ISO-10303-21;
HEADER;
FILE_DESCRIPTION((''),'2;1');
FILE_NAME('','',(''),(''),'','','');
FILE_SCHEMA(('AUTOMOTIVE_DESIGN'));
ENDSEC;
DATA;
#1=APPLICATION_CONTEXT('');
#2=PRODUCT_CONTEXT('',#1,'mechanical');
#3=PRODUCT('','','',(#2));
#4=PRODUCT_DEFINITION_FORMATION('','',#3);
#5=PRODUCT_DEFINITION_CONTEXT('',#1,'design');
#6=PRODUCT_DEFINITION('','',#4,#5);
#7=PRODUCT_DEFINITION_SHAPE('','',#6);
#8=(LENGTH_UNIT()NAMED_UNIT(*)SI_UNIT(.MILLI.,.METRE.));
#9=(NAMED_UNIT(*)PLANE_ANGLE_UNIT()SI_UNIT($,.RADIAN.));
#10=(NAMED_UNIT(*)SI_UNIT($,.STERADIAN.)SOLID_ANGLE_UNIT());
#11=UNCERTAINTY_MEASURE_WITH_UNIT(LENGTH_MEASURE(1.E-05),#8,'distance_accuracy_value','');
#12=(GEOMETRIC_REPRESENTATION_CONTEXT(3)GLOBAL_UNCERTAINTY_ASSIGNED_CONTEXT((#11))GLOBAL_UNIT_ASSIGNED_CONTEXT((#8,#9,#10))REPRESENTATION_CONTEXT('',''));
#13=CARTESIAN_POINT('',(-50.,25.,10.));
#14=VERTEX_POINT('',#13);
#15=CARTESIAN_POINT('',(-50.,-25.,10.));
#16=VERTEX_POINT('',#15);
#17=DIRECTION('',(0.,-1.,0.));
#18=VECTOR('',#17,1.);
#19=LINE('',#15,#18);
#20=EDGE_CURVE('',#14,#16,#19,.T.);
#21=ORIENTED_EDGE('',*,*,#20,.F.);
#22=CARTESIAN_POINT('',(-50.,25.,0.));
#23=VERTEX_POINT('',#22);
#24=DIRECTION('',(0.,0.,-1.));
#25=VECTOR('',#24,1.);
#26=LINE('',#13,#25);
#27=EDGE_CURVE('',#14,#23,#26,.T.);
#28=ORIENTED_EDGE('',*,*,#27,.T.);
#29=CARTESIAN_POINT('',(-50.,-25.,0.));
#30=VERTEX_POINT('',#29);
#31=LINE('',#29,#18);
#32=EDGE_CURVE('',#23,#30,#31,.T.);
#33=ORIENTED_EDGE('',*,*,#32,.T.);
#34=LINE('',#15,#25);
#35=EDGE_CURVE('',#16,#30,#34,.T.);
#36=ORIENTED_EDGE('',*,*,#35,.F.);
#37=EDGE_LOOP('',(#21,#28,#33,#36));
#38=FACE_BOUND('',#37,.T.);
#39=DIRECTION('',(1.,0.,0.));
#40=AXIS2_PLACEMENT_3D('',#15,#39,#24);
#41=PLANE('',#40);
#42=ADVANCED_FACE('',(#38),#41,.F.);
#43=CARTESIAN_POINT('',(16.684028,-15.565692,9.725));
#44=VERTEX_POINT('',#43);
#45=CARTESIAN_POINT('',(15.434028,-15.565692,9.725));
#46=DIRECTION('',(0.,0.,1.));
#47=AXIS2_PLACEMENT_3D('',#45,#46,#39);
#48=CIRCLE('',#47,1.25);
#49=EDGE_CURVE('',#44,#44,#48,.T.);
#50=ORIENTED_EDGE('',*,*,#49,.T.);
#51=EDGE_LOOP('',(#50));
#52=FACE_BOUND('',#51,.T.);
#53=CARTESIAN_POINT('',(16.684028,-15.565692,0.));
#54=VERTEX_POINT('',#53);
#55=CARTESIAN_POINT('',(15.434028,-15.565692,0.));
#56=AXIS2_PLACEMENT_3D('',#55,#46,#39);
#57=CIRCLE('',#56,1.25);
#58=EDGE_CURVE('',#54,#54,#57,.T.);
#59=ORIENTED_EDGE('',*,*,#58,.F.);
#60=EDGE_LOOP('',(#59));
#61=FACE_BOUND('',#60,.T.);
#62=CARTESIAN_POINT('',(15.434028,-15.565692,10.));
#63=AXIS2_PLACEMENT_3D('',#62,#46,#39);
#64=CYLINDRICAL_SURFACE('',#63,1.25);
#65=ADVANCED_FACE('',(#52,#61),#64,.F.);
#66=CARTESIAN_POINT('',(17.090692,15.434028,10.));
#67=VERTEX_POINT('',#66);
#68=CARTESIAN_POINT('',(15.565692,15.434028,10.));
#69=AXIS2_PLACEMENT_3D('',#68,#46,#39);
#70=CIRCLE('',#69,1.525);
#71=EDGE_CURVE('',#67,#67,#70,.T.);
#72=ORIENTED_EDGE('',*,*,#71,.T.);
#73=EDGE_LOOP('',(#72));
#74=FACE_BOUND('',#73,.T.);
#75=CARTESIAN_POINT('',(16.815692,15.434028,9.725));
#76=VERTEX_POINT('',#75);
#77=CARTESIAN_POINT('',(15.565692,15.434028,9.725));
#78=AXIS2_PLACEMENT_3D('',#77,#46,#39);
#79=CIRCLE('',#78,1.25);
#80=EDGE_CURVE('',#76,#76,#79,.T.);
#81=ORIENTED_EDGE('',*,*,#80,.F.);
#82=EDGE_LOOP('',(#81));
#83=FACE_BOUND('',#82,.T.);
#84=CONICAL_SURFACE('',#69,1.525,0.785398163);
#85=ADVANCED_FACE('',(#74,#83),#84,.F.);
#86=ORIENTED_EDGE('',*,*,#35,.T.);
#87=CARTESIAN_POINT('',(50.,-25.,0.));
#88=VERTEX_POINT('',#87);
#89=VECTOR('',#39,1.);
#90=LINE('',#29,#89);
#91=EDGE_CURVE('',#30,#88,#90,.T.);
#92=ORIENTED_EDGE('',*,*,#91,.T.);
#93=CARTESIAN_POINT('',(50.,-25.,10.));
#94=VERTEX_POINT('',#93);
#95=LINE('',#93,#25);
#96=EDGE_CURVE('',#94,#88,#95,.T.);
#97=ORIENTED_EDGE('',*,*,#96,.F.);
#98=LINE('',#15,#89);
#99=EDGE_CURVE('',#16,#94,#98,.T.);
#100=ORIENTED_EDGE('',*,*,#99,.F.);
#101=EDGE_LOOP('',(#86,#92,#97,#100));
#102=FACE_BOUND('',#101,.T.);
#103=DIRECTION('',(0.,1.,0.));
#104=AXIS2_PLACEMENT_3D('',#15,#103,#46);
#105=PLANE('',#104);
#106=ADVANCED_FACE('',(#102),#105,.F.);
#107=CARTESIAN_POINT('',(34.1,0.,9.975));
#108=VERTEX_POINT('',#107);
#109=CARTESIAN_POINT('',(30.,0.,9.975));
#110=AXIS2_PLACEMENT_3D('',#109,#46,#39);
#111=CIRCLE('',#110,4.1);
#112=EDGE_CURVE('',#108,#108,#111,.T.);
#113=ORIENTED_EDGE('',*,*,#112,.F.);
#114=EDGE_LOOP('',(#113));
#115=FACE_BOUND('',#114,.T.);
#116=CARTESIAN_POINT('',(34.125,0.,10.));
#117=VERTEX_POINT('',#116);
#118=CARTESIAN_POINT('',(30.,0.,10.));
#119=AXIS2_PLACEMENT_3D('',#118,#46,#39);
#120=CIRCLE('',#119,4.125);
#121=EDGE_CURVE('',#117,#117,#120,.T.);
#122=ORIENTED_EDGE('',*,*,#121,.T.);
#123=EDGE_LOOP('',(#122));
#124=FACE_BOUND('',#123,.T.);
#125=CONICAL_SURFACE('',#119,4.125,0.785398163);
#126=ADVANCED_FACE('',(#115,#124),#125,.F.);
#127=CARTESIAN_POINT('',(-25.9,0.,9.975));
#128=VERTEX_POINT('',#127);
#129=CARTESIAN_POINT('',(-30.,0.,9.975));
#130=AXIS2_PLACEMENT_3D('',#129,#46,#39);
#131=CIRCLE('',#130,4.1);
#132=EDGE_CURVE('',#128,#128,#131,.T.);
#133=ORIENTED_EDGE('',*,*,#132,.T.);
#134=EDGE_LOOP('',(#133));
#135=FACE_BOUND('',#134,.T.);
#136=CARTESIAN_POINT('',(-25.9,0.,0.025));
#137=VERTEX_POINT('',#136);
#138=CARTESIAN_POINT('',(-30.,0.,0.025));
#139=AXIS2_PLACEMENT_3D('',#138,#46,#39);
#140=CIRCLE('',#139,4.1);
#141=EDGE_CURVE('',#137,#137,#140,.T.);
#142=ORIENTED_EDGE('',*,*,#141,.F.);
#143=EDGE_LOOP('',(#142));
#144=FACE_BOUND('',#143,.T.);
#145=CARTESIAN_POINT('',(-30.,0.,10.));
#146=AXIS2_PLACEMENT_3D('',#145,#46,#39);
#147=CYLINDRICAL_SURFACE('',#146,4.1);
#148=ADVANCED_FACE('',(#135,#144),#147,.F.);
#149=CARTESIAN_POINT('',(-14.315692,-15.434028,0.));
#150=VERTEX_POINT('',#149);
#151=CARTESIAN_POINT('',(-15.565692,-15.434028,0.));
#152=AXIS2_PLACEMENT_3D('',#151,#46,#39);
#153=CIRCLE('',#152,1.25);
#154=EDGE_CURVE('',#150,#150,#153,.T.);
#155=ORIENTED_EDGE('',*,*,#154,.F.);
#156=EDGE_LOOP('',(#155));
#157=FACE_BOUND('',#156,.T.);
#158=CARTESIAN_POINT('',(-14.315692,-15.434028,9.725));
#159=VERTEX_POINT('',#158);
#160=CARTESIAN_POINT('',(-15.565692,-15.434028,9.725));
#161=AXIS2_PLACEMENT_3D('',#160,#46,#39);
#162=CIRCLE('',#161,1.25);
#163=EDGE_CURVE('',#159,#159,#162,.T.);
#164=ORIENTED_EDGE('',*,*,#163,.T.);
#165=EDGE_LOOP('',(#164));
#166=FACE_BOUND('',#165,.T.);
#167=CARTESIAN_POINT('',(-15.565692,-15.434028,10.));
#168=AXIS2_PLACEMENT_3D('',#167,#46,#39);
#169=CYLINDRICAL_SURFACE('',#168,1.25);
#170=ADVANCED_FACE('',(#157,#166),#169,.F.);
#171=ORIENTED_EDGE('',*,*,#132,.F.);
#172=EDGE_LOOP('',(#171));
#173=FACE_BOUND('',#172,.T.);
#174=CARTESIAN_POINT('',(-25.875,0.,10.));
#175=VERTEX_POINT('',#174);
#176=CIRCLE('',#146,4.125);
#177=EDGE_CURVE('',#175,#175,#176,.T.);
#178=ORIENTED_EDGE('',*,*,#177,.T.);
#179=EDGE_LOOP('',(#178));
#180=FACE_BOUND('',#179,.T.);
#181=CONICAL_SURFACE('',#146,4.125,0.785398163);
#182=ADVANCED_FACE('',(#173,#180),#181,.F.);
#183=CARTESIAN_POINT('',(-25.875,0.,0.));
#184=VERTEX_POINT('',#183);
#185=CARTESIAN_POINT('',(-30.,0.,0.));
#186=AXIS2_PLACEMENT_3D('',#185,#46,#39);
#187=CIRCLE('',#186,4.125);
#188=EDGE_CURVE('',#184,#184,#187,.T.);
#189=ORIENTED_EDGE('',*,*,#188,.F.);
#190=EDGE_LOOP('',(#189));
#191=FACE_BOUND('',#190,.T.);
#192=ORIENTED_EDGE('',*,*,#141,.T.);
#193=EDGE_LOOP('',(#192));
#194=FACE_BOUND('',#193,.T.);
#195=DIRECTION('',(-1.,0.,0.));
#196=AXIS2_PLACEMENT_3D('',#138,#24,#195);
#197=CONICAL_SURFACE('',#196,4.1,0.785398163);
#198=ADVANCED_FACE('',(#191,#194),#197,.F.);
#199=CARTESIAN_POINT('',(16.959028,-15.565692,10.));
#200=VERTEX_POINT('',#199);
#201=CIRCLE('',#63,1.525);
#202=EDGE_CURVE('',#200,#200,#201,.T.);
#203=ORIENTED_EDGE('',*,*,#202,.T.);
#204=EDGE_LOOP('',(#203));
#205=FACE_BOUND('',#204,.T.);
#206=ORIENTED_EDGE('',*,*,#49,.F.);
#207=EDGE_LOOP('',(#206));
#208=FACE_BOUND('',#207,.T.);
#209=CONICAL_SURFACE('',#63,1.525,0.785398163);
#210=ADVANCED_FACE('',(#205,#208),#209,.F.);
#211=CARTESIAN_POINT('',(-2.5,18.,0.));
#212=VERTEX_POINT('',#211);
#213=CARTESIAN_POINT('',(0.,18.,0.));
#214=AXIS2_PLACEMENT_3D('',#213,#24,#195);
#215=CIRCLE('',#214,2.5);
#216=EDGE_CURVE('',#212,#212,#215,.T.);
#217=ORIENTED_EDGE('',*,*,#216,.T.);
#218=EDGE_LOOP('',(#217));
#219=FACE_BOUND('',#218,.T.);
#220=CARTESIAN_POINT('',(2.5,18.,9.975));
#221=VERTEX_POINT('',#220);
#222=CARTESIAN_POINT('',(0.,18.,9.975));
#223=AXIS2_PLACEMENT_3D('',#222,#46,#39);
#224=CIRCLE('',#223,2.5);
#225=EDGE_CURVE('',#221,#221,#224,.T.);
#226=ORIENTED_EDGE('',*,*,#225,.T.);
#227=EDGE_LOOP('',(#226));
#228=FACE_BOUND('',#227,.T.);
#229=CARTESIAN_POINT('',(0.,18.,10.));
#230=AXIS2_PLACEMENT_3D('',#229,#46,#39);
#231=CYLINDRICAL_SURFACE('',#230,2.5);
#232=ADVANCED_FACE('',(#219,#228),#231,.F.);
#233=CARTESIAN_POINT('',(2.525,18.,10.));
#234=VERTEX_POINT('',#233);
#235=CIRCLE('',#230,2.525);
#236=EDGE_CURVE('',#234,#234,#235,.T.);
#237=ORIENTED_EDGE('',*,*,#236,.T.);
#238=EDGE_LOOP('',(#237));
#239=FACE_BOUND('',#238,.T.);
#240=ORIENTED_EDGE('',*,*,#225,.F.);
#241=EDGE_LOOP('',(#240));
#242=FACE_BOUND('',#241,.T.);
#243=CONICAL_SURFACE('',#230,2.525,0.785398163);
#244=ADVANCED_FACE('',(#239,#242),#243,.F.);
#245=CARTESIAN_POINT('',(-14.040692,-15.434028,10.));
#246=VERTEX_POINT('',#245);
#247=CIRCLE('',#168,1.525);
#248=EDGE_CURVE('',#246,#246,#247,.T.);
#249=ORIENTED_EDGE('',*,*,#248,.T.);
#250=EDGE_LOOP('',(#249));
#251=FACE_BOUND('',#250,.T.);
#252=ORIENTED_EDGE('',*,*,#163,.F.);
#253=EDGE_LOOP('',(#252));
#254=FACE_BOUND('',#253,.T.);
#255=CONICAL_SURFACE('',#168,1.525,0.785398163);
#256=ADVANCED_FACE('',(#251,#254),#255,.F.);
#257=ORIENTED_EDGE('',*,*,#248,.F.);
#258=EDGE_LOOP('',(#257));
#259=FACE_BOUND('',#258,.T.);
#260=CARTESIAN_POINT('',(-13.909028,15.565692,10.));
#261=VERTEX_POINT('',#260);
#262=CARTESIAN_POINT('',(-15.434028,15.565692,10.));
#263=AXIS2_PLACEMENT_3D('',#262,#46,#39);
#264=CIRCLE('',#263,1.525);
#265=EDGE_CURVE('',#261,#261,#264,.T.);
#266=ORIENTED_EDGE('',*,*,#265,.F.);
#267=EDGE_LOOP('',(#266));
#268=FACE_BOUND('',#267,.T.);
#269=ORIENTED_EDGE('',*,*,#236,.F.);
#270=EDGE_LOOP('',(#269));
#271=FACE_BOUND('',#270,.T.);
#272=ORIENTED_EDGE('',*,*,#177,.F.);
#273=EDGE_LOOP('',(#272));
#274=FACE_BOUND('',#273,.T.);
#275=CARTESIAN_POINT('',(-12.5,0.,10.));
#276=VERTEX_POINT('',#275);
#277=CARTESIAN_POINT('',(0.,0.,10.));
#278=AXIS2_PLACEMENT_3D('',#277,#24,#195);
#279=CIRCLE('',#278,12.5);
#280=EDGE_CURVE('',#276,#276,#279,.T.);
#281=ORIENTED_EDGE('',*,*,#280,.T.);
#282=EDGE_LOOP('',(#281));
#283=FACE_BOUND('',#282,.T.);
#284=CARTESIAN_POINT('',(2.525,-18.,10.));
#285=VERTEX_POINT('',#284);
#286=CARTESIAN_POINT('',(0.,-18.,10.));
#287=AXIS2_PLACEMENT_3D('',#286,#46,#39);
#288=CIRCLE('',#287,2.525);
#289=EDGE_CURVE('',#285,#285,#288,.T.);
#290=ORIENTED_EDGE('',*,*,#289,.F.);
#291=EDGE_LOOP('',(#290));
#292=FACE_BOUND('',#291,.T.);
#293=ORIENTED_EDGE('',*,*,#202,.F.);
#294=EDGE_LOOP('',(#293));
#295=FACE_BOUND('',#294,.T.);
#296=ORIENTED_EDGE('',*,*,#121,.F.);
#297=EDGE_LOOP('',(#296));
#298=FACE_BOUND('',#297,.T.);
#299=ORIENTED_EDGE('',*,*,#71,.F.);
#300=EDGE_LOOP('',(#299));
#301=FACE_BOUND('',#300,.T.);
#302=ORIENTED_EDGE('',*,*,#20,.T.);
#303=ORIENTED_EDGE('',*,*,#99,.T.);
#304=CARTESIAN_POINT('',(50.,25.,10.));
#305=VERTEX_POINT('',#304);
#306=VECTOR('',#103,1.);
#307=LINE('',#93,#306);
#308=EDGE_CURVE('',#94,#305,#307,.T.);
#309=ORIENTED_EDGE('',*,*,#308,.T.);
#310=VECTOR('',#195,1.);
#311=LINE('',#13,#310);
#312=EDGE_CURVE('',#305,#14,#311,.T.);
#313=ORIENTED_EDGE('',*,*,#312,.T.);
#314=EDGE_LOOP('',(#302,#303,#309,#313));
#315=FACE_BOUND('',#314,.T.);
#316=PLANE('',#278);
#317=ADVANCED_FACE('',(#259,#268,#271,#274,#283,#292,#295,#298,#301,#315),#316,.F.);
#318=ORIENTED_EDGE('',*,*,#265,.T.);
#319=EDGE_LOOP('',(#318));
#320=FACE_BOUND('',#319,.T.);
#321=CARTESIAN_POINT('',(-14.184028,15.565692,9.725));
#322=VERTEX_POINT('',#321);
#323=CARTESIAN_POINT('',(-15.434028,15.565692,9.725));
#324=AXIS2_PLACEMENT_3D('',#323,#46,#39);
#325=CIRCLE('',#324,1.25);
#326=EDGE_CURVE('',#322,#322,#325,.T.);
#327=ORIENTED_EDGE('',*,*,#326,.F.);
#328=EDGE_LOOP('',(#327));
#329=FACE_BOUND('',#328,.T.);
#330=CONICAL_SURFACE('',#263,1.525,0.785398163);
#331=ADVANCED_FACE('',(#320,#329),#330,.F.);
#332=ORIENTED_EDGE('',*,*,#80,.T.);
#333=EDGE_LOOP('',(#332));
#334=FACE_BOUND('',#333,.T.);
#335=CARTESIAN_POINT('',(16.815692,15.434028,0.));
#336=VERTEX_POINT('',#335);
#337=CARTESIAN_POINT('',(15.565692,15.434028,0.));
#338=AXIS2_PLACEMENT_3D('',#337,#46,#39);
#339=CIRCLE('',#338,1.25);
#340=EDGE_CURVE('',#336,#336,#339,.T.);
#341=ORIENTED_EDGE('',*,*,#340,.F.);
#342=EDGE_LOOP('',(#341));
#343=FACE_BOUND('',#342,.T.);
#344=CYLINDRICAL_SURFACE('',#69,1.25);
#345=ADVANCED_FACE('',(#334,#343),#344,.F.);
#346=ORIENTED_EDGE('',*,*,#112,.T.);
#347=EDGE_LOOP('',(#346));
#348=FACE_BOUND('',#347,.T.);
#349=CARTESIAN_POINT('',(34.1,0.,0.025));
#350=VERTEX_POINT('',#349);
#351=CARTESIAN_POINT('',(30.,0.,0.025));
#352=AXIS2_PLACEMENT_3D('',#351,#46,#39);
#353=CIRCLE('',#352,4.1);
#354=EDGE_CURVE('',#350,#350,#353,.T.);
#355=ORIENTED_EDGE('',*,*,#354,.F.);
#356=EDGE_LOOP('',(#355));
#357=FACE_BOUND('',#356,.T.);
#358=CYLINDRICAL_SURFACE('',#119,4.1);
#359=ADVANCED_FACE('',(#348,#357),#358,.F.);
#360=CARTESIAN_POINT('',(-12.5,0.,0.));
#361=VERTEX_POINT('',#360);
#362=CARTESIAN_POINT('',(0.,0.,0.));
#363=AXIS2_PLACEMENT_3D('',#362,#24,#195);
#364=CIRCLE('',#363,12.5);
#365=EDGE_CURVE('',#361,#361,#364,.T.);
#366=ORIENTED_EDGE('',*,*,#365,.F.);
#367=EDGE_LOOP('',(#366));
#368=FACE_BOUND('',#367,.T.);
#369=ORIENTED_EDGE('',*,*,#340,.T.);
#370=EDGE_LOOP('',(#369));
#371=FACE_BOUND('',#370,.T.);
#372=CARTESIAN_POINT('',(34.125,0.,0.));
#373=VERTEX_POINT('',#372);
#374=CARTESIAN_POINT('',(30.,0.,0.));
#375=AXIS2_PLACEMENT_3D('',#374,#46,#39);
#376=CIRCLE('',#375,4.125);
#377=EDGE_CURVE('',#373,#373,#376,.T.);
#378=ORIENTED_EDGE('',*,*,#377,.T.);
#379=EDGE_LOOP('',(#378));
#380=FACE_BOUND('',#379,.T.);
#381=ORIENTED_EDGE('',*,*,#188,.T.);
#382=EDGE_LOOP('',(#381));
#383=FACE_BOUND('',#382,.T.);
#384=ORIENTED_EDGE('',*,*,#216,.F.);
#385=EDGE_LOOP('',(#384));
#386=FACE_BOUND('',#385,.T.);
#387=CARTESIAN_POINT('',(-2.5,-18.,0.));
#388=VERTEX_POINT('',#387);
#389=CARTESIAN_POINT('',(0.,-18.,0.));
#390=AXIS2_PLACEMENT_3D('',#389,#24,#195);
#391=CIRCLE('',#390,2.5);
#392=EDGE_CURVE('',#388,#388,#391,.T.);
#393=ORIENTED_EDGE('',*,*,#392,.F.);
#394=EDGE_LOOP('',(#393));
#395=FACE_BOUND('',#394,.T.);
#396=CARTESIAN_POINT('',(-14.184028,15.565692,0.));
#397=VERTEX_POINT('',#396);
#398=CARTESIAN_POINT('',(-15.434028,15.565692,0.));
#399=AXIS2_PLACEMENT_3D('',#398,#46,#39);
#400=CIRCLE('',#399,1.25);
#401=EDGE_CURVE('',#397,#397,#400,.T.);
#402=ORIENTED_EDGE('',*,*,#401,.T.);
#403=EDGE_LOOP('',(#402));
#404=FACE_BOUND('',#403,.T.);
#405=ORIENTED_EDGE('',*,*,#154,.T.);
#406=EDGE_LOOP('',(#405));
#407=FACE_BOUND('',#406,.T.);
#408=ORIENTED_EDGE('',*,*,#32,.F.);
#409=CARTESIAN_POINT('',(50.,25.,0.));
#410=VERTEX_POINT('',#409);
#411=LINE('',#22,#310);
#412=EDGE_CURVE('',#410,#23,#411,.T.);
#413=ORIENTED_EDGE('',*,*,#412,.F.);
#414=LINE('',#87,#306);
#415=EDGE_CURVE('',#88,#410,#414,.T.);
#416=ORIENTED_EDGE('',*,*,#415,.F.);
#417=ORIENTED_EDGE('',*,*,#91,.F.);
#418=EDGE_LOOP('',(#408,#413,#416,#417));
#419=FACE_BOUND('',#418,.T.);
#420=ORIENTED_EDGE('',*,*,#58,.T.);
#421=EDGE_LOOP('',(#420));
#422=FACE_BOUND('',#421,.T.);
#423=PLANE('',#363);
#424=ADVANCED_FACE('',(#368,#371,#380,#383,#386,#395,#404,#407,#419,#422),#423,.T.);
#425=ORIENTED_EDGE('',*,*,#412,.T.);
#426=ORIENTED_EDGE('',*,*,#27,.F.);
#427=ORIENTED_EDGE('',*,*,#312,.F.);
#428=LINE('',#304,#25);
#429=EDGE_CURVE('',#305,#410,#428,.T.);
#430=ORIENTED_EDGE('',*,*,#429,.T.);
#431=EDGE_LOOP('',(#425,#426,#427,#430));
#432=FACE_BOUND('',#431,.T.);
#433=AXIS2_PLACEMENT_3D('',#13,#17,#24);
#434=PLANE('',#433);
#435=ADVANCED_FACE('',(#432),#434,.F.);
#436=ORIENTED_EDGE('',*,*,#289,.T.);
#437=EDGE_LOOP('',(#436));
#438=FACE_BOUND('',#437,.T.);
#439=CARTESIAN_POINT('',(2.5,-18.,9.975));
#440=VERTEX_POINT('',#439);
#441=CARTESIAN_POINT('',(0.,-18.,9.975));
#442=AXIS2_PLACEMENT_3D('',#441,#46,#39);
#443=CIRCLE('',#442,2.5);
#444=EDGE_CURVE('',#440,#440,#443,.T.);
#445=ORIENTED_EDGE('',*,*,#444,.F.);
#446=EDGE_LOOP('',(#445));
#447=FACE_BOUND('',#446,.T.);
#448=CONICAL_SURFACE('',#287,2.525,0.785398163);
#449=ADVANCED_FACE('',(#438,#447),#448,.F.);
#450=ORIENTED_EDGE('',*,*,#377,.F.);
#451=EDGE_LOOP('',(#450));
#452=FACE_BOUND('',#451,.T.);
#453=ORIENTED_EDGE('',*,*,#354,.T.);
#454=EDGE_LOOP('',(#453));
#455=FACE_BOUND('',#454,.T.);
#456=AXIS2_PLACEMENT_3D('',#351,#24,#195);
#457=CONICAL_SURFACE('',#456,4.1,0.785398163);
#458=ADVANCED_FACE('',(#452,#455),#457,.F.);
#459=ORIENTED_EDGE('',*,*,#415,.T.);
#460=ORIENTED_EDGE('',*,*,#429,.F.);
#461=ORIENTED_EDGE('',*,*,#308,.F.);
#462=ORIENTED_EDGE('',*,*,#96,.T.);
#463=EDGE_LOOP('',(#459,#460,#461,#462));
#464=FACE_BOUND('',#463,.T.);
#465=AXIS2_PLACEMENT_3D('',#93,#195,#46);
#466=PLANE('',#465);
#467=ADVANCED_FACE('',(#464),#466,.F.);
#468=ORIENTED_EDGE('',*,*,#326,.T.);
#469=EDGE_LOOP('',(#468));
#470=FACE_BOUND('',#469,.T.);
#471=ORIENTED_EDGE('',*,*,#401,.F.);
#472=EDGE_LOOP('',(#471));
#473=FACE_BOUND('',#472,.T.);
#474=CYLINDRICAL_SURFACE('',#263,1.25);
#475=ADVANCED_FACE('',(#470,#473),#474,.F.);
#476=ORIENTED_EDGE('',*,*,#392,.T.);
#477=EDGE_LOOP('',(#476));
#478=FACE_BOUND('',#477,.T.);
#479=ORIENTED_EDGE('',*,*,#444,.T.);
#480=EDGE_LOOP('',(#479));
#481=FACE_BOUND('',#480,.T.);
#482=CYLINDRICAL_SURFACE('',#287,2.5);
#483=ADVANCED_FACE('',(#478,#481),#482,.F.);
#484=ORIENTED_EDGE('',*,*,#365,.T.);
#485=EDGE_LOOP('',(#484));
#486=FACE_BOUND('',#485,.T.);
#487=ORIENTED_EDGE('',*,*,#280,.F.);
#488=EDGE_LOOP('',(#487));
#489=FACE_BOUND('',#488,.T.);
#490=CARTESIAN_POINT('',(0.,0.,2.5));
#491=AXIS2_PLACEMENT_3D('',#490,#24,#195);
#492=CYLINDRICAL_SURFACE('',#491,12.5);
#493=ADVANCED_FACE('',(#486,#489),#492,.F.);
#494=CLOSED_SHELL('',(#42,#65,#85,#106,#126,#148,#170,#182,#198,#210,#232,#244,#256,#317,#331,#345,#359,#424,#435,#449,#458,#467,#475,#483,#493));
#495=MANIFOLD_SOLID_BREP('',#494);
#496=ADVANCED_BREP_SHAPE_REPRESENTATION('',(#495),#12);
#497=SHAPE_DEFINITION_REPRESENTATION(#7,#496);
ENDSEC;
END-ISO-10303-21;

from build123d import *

# Parameters (mm, degrees)
SKETCH_1_W                      = 100
SKETCH_1_H                      = 50
EXTRUDE_1_DEPTH                 = 10
HOLE_WIZARD_5_0_5_1_D           = 5
HOLE_WIZARD_5_0_5_1_CSINK_D     = 5.05
HOLE_WIZARD_5_0_5_1_CSINK_ANGLE = 90
SKETCH_20_R                     = 5
CUT_EXTRUDE_1_DEPTH             = 57.789083458
SKETCH_26_R                     = 12.5
CUT_EXTRUDE_2_DEPTH             = 2.5
HOLE_WIZARD_M3_1_D              = 2.5
HOLE_WIZARD_M3_1_CSINK_D        = 3.05
HOLE_WIZARD_M3_1_CSINK_ANGLE    = 90
SKETCH_35_R                     = 12.5
CUT_EXTRUDE_3_DEPTH             = 57.402570863


with BuildPart() as part:
    # 草图1 → 凸台-拉伸1 (new body)
    with BuildSketch(Plane.XY):
        Rectangle(SKETCH_1_W, SKETCH_1_H)
    extrude(amount=EXTRUDE_1_DEPTH)

    # Ø5.0 (5) 直径孔1 (through all)
    with Locations(Plane.XY.offset(10)):
        with Locations((0, 18), (0, -18)):
            CounterSinkHole(HOLE_WIZARD_5_0_5_1_D / 2, HOLE_WIZARD_5_0_5_1_CSINK_D / 2, counter_sink_angle=HOLE_WIZARD_5_0_5_1_CSINK_ANGLE)

    # 草图20 → 切除-拉伸1 (cut, through all)
    with BuildSketch(Plane.XY.offset(10)):
        Circle(SKETCH_20_R)
    extrude(amount=-CUT_EXTRUDE_1_DEPTH, mode=Mode.SUBTRACT)

    # 草图25 → Ø8.2 (8.2) 直径孔1 (revolve, cut)
    with BuildSketch(Plane(origin=(30, 0, 10), x_dir=(0, -1, 0), z_dir=(1, 0, 0))):
        Polygon((0, 0), (0, 10), (4.125, 10), (4.1, 9.975), (4.1, 0.025), (4.125, 0), align=None)
    hole_wizard_8_2_8_2_1 = revolve(axis=Axis((30, 0, 16.35), (0, 0, -1)), mode=Mode.SUBTRACT)

    # 镜向1: Ø8.2 (8.2) 直径孔1 across plane
    add(hole_wizard_8_2_8_2_1.mirror(Plane(origin=(0, 0, 0), x_dir=(0, 0, 1), z_dir=(1, 0, 0))), mode=Mode.SUBTRACT)

    # 草图26 → 切除-拉伸2 (cut)
    with BuildSketch(Plane(origin=(0, 0, 0), x_dir=(-1, 0, 0), z_dir=(0, 0, -1))):
        Circle(SKETCH_26_R)
    extrude(amount=-CUT_EXTRUDE_2_DEPTH, mode=Mode.SUBTRACT)

    # M3 螺纹孔1 (through all)
    with Locations(Plane.XY.offset(10)):
        with Locations((15.565692097, 15.434028299), (15.434028299, -15.565692097), (-15.565692097, -15.434028299), (-15.434028299, 15.565692097)):
            CounterSinkHole(HOLE_WIZARD_M3_1_D / 2, HOLE_WIZARD_M3_1_CSINK_D / 2, counter_sink_angle=HOLE_WIZARD_M3_1_CSINK_ANGLE)

    # 草图35 → 切除-拉伸3 (cut, through all)
    with BuildSketch(Plane(origin=(0, 0, 2.5), x_dir=(-1, 0, 0), z_dir=(0, 0, -1))):
        Circle(SKETCH_35_R)
    extrude(amount=-CUT_EXTRUDE_3_DEPTH, mode=Mode.SUBTRACT)


solid = part.part
